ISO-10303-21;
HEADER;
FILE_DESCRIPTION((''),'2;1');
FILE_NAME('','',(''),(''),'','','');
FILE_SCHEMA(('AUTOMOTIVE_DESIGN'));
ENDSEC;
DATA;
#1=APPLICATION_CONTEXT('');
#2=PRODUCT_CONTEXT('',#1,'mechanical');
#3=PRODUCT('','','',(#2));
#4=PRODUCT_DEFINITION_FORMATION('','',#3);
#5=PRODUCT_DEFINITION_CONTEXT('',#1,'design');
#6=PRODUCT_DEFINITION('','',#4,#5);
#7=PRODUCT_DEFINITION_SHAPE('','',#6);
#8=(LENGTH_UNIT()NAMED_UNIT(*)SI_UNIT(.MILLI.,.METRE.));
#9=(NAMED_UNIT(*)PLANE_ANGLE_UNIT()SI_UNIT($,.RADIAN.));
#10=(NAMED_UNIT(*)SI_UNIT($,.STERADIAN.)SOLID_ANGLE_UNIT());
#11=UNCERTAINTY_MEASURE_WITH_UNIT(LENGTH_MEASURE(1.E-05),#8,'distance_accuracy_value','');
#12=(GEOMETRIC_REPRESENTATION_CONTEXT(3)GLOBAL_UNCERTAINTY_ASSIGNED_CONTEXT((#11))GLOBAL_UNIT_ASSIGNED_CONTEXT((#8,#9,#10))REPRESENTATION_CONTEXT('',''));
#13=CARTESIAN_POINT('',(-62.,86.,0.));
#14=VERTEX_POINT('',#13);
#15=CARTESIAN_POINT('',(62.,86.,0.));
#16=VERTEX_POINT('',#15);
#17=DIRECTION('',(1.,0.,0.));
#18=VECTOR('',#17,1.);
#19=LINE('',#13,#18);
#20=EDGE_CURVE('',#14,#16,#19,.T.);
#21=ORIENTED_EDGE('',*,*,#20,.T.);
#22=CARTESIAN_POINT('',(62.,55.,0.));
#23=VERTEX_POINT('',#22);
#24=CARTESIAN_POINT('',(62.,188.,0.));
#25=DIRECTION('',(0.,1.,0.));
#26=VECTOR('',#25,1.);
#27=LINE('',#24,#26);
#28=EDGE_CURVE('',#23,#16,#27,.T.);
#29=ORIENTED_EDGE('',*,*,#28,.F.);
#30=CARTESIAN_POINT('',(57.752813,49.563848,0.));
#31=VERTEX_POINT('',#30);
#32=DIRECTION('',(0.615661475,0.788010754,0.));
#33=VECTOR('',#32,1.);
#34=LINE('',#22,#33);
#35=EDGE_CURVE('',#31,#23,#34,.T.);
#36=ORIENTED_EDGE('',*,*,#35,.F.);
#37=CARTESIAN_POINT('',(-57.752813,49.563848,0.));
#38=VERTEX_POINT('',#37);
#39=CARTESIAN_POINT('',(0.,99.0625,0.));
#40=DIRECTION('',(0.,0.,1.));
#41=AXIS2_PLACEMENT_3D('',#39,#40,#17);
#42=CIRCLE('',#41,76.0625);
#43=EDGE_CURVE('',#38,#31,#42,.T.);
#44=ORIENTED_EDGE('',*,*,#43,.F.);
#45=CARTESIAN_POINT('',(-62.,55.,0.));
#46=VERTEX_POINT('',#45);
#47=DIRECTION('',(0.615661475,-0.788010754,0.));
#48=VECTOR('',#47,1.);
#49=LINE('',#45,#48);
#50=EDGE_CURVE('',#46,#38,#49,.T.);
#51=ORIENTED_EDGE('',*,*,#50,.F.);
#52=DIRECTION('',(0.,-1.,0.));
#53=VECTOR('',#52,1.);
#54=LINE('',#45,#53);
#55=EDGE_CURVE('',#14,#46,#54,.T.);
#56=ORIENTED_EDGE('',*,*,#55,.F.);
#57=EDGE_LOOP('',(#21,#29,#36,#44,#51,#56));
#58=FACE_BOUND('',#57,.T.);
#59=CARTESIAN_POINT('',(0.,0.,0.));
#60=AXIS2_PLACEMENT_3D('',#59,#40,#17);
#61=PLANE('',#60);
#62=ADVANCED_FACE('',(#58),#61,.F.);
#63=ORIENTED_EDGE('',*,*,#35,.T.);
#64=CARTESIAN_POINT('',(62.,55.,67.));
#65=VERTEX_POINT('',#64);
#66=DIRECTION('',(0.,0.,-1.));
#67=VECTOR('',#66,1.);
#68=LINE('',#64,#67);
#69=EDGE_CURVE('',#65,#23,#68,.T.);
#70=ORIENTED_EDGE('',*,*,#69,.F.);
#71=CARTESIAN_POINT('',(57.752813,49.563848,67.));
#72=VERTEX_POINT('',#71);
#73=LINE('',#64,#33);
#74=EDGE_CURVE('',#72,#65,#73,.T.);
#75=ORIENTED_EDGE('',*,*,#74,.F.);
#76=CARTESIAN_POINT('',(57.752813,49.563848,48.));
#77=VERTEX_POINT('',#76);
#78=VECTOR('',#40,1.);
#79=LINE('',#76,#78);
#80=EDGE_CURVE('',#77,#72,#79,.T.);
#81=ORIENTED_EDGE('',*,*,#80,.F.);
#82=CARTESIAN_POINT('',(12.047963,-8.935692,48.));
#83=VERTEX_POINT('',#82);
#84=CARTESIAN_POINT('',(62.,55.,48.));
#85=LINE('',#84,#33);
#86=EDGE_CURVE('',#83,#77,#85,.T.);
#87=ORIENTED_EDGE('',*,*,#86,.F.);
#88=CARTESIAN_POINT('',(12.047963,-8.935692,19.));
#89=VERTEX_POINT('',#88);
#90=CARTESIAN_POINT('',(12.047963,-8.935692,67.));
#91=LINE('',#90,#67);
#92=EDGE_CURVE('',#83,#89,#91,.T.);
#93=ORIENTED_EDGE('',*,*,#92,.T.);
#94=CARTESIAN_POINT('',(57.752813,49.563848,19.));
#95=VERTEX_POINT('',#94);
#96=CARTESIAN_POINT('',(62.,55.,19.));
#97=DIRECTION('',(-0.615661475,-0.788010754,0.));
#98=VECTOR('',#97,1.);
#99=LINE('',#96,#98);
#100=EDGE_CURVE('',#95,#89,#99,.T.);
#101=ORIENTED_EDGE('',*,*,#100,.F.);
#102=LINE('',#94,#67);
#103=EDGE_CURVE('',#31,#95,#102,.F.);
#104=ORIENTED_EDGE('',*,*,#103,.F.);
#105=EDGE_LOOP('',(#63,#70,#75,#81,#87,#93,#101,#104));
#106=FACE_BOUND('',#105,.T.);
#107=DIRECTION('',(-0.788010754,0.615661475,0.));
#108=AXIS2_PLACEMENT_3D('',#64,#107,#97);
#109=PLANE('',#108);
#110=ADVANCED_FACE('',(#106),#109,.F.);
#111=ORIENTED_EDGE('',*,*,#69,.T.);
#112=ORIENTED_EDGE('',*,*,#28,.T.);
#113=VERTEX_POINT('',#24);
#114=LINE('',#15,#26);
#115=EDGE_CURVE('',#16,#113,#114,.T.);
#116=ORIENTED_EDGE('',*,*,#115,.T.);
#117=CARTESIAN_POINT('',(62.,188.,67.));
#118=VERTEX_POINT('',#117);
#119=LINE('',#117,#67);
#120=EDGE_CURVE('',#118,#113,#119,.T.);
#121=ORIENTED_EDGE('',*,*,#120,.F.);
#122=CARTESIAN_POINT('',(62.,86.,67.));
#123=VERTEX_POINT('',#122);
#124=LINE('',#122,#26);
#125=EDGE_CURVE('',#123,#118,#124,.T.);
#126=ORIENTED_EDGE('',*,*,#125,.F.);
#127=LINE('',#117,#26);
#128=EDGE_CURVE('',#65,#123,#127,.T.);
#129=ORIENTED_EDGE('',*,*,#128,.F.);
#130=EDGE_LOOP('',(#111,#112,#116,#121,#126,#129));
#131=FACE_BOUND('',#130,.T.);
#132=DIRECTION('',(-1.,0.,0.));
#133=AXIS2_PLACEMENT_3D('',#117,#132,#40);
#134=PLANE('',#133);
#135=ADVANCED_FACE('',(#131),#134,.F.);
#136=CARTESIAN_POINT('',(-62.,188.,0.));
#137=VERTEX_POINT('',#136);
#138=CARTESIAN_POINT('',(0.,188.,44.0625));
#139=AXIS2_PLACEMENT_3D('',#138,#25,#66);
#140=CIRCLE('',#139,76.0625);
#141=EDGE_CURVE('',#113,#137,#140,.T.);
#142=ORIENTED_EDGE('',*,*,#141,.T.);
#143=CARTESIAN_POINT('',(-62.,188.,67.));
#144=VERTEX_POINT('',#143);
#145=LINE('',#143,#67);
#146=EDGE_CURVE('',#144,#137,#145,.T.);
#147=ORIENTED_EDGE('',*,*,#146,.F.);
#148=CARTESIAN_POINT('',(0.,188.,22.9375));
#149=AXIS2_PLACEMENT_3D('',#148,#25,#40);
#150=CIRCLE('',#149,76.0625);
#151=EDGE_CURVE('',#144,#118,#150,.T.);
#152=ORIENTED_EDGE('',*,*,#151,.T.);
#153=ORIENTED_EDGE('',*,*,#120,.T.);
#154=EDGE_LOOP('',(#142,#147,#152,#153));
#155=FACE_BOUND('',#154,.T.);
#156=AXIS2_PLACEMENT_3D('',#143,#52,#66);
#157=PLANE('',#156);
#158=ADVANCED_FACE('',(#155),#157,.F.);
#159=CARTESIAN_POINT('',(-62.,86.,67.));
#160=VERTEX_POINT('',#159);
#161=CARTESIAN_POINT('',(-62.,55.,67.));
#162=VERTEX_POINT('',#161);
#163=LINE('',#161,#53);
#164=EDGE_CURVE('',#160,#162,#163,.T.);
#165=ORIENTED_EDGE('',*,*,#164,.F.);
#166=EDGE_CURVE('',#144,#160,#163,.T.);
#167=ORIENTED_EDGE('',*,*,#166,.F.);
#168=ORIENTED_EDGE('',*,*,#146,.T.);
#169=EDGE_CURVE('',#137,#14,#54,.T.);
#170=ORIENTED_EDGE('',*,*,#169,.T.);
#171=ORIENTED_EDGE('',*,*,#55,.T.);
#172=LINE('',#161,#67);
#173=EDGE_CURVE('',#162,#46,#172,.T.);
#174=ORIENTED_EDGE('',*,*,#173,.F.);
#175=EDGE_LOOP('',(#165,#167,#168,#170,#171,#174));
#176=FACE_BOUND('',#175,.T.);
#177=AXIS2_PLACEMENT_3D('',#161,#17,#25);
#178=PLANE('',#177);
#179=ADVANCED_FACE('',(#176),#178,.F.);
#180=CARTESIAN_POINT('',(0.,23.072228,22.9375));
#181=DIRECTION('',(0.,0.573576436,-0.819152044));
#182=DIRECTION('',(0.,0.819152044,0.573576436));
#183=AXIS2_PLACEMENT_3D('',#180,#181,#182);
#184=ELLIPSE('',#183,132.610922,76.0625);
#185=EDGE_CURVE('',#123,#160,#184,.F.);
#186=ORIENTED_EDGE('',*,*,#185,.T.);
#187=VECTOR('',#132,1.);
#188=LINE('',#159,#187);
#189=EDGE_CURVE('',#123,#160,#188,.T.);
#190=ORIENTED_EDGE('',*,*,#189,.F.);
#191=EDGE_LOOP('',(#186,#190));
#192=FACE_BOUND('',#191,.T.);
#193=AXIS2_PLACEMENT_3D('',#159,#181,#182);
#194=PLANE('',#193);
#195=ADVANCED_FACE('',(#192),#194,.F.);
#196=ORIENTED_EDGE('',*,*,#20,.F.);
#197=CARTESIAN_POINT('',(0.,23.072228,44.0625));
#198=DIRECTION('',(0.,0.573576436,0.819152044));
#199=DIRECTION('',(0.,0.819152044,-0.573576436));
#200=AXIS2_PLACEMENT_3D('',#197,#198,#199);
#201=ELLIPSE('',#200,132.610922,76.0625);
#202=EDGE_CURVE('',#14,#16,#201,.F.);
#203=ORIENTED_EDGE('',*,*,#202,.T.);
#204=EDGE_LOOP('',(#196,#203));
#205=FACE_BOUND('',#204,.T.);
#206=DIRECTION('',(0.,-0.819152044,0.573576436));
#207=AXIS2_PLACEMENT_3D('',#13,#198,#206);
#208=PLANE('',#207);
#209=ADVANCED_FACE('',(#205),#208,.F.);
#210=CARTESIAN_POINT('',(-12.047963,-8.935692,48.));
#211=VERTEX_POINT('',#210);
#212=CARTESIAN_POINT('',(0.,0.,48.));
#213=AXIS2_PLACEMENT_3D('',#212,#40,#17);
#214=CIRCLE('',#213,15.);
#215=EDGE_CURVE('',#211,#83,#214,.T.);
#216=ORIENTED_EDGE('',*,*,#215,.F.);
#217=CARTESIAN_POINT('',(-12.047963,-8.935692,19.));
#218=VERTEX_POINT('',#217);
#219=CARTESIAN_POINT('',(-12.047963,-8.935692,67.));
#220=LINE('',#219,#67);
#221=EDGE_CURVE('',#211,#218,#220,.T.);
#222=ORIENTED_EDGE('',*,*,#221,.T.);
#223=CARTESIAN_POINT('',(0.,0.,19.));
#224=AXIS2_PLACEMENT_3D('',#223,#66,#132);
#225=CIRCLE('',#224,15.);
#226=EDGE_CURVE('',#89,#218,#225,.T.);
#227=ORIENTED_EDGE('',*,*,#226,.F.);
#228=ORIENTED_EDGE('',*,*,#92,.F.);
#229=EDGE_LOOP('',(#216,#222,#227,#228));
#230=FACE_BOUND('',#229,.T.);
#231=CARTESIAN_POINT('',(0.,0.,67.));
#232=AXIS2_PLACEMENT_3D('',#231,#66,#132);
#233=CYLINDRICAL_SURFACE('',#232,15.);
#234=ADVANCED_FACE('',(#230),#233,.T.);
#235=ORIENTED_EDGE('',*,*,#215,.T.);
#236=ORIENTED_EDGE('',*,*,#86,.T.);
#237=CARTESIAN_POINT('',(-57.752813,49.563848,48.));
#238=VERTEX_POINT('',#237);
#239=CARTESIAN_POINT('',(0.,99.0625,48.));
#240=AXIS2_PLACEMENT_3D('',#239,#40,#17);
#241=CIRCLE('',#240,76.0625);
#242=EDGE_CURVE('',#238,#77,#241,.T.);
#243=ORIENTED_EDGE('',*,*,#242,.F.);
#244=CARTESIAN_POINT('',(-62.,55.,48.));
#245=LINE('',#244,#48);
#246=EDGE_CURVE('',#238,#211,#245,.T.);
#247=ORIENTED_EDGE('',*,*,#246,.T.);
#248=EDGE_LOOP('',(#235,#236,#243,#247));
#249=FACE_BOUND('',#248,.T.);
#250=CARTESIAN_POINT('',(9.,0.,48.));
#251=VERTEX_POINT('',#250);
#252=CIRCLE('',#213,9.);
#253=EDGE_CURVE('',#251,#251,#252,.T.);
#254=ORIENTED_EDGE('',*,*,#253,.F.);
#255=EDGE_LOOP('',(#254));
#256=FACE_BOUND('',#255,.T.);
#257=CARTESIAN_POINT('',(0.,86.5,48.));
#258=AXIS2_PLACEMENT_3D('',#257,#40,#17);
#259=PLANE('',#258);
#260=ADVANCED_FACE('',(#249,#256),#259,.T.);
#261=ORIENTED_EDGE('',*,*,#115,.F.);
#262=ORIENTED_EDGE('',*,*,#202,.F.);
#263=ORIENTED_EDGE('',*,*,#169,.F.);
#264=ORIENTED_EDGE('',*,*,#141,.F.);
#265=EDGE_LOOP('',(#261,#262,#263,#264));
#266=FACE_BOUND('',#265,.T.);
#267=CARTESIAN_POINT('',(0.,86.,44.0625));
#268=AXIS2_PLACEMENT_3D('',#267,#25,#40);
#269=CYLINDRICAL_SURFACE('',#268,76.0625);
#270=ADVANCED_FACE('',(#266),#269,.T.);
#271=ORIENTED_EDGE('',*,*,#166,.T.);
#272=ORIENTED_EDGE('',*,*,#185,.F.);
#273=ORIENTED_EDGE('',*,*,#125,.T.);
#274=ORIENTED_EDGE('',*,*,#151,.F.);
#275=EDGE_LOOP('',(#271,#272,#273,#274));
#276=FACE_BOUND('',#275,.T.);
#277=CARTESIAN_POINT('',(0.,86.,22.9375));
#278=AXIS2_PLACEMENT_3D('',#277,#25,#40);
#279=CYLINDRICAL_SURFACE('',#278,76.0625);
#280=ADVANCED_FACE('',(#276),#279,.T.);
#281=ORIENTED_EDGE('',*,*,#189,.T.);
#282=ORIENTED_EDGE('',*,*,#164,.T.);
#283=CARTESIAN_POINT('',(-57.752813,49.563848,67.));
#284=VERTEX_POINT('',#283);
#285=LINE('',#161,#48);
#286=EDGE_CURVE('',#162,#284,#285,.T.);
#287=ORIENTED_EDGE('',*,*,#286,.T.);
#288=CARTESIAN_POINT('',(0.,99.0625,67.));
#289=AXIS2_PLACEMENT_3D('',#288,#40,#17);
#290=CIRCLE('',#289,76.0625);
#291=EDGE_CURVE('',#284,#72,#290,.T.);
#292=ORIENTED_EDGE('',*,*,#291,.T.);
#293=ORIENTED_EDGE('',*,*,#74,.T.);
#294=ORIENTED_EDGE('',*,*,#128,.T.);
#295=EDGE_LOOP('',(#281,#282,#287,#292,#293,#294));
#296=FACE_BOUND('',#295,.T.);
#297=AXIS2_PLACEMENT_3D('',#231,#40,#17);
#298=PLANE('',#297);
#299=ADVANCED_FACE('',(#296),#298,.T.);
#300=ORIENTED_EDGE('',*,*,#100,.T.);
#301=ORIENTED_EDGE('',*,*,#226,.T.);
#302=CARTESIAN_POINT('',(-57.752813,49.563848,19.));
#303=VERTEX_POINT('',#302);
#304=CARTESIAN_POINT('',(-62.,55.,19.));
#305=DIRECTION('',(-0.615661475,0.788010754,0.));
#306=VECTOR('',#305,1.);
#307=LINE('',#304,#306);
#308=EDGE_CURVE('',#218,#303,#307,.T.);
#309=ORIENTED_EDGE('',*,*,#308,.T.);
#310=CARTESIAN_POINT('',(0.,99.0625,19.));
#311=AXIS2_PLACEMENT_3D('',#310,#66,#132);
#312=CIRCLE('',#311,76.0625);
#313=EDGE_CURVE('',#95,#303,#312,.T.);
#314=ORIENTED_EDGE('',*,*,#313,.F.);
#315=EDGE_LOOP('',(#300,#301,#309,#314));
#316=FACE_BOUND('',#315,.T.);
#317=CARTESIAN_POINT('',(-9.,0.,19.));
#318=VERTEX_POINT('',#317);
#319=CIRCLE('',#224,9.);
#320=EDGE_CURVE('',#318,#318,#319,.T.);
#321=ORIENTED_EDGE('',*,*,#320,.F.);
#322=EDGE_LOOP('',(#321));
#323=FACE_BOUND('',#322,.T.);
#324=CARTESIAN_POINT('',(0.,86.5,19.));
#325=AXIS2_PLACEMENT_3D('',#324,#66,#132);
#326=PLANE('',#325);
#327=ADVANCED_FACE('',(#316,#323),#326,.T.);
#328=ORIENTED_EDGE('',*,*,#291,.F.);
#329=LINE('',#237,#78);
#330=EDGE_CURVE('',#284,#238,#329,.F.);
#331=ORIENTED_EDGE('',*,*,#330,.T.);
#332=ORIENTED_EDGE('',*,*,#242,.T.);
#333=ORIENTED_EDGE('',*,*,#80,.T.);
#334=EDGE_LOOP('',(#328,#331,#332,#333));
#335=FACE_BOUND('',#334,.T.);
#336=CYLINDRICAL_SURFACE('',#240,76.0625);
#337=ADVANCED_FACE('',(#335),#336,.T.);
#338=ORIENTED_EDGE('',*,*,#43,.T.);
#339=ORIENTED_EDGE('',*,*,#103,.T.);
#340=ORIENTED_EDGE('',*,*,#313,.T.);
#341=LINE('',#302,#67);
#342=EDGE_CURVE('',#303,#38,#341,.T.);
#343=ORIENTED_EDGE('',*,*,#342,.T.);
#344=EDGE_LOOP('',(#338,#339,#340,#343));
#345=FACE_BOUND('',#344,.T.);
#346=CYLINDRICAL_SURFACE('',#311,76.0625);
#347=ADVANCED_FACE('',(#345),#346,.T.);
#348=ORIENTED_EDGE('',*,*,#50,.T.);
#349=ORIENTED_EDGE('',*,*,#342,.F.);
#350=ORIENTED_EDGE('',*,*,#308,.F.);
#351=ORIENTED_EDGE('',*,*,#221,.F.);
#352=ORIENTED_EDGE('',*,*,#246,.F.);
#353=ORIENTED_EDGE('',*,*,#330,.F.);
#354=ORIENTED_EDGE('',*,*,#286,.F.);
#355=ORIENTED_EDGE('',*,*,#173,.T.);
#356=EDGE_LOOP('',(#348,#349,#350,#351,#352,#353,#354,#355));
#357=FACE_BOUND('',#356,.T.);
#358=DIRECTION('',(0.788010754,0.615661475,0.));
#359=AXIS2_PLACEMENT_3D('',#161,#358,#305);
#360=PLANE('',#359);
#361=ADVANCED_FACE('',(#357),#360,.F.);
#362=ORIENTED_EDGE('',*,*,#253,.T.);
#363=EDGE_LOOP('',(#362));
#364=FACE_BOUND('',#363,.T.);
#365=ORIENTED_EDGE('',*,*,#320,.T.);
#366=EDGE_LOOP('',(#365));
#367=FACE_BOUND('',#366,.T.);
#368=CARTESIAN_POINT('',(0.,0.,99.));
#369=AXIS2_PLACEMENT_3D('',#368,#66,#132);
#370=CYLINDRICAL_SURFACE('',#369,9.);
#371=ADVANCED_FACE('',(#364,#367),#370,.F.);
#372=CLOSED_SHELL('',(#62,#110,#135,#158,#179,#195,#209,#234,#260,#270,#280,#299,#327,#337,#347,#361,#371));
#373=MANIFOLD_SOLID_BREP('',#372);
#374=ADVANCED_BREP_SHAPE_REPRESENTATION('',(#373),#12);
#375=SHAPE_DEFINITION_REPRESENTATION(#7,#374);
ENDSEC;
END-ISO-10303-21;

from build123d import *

# Parameters (mm, degrees)
EXTRUDE_1_DEPTH     = 67
SKETCH_2_OUTSIDE_W  = 175.426
SKETCH_2_OUTSIDE_H  = 254.426
CUT_EXTRUDE_1_DEPTH = 19
SKETCH_4_OUTSIDE_W  = 175.426
SKETCH_4_OUTSIDE_H  = 254.426
CUT_EXTRUDE_2_DEPTH = 19
EXTRUDE_2_DEPTH     = 102
CUT_EXTRUDE_3_DEPTH = 247.010162392
SKETCH_7_R          = 9
CUT_EXTRUDE_4_DEPTH = 214.513465618


with BuildPart() as part:
    # Эскиз1 → Бобышка-Вытянуть1 (new body)
    with BuildSketch(Plane.XY):
        with BuildLine():
            Line((-62, 55), (-62, 188))
            Line((-62, 188), (62, 188))
            Line((62, 188), (62, 55))
            Line((62, 55), (12.047963129, -8.935691604))
            ThreePointArc((12.047963129, -8.935691604), (0, -15), (-12.047963129, -8.935691604))
            Line((-12.047963129, -8.935691604), (-62, 55))
        make_face()
    extrude(amount=EXTRUDE_1_DEPTH)

    # Эскиз2 outside → Вырез-Вытянуть1 (cut)
    with BuildSketch(Plane.XY.offset(67)):
        with Locations((0, 86.5)):
            Rectangle(SKETCH_2_OUTSIDE_W, SKETCH_2_OUTSIDE_H)
        with BuildLine():
            Line((-62, 55), (-62, 188))
            Line((-62, 188), (62, 188))
            Line((62, 188), (62, 55))
            ThreePointArc((62, 55), (0, 23), (-62, 55))
        make_face(mode=Mode.SUBTRACT)
    extrude(amount=-CUT_EXTRUDE_1_DEPTH, mode=Mode.SUBTRACT)

    # Эскиз4 outside → Вырез-Вытянуть2 (cut)
    with BuildSketch(Plane(origin=(0, 0, 0), x_dir=(-1, 0, 0), z_dir=(0, 0, -1))):
        with Locations((0, 86.5)):
            Rectangle(SKETCH_4_OUTSIDE_W, SKETCH_4_OUTSIDE_H)
        with BuildLine():
            Line((-62, 55), (-62, 188))
            Line((-62, 188), (62, 188))
            Line((62, 188), (62, 55))
            ThreePointArc((62, 55), (0, 23), (-62, 55))
        make_face(mode=Mode.SUBTRACT)
    extrude(amount=-CUT_EXTRUDE_2_DEPTH, mode=Mode.SUBTRACT)

    # Эскиз5 → Бобышка-Вытянуть2 (add)
    with BuildSketch(Plane(origin=(0, 188, 0), x_dir=(1, 0, 0), z_dir=(0, 1, 0))):
        with BuildLine():
            Line((-62, 0), (62, 0))
            ThreePointArc((62, 0), (0, 32), (-62, 0))
        make_face()
        with BuildLine():
            Line((-62, -67), (62, -67))
            ThreePointArc((62, -67), (0, -99), (-62, -67))
        make_face()
    extrude(amount=-EXTRUDE_2_DEPTH)

    # Эскиз6 → Вырез-Вытянуть3 (cut, through all)
    with BuildSketch(Plane(origin=(62, 0, 0), x_dir=(0, 0, -1), z_dir=(1, 0, 0))):
        Polygon((0, 86), (32, 131.700736216), (32, 86), align=None)
        Polygon((-67, 86), (-99, 131.700736216), (-99, 86), align=None)
    extrude(amount=-CUT_EXTRUDE_3_DEPTH, mode=Mode.SUBTRACT)

    # Эскиз7 → Вырез-Вытянуть4 (cut, through all)
    with BuildSketch(Plane(origin=(0, 0, 19), x_dir=(-1, 0, 0), z_dir=(0, 0, -1))):
        Circle(SKETCH_7_R)
    extrude(amount=-CUT_EXTRUDE_4_DEPTH, mode=Mode.SUBTRACT)


solid = part.part
